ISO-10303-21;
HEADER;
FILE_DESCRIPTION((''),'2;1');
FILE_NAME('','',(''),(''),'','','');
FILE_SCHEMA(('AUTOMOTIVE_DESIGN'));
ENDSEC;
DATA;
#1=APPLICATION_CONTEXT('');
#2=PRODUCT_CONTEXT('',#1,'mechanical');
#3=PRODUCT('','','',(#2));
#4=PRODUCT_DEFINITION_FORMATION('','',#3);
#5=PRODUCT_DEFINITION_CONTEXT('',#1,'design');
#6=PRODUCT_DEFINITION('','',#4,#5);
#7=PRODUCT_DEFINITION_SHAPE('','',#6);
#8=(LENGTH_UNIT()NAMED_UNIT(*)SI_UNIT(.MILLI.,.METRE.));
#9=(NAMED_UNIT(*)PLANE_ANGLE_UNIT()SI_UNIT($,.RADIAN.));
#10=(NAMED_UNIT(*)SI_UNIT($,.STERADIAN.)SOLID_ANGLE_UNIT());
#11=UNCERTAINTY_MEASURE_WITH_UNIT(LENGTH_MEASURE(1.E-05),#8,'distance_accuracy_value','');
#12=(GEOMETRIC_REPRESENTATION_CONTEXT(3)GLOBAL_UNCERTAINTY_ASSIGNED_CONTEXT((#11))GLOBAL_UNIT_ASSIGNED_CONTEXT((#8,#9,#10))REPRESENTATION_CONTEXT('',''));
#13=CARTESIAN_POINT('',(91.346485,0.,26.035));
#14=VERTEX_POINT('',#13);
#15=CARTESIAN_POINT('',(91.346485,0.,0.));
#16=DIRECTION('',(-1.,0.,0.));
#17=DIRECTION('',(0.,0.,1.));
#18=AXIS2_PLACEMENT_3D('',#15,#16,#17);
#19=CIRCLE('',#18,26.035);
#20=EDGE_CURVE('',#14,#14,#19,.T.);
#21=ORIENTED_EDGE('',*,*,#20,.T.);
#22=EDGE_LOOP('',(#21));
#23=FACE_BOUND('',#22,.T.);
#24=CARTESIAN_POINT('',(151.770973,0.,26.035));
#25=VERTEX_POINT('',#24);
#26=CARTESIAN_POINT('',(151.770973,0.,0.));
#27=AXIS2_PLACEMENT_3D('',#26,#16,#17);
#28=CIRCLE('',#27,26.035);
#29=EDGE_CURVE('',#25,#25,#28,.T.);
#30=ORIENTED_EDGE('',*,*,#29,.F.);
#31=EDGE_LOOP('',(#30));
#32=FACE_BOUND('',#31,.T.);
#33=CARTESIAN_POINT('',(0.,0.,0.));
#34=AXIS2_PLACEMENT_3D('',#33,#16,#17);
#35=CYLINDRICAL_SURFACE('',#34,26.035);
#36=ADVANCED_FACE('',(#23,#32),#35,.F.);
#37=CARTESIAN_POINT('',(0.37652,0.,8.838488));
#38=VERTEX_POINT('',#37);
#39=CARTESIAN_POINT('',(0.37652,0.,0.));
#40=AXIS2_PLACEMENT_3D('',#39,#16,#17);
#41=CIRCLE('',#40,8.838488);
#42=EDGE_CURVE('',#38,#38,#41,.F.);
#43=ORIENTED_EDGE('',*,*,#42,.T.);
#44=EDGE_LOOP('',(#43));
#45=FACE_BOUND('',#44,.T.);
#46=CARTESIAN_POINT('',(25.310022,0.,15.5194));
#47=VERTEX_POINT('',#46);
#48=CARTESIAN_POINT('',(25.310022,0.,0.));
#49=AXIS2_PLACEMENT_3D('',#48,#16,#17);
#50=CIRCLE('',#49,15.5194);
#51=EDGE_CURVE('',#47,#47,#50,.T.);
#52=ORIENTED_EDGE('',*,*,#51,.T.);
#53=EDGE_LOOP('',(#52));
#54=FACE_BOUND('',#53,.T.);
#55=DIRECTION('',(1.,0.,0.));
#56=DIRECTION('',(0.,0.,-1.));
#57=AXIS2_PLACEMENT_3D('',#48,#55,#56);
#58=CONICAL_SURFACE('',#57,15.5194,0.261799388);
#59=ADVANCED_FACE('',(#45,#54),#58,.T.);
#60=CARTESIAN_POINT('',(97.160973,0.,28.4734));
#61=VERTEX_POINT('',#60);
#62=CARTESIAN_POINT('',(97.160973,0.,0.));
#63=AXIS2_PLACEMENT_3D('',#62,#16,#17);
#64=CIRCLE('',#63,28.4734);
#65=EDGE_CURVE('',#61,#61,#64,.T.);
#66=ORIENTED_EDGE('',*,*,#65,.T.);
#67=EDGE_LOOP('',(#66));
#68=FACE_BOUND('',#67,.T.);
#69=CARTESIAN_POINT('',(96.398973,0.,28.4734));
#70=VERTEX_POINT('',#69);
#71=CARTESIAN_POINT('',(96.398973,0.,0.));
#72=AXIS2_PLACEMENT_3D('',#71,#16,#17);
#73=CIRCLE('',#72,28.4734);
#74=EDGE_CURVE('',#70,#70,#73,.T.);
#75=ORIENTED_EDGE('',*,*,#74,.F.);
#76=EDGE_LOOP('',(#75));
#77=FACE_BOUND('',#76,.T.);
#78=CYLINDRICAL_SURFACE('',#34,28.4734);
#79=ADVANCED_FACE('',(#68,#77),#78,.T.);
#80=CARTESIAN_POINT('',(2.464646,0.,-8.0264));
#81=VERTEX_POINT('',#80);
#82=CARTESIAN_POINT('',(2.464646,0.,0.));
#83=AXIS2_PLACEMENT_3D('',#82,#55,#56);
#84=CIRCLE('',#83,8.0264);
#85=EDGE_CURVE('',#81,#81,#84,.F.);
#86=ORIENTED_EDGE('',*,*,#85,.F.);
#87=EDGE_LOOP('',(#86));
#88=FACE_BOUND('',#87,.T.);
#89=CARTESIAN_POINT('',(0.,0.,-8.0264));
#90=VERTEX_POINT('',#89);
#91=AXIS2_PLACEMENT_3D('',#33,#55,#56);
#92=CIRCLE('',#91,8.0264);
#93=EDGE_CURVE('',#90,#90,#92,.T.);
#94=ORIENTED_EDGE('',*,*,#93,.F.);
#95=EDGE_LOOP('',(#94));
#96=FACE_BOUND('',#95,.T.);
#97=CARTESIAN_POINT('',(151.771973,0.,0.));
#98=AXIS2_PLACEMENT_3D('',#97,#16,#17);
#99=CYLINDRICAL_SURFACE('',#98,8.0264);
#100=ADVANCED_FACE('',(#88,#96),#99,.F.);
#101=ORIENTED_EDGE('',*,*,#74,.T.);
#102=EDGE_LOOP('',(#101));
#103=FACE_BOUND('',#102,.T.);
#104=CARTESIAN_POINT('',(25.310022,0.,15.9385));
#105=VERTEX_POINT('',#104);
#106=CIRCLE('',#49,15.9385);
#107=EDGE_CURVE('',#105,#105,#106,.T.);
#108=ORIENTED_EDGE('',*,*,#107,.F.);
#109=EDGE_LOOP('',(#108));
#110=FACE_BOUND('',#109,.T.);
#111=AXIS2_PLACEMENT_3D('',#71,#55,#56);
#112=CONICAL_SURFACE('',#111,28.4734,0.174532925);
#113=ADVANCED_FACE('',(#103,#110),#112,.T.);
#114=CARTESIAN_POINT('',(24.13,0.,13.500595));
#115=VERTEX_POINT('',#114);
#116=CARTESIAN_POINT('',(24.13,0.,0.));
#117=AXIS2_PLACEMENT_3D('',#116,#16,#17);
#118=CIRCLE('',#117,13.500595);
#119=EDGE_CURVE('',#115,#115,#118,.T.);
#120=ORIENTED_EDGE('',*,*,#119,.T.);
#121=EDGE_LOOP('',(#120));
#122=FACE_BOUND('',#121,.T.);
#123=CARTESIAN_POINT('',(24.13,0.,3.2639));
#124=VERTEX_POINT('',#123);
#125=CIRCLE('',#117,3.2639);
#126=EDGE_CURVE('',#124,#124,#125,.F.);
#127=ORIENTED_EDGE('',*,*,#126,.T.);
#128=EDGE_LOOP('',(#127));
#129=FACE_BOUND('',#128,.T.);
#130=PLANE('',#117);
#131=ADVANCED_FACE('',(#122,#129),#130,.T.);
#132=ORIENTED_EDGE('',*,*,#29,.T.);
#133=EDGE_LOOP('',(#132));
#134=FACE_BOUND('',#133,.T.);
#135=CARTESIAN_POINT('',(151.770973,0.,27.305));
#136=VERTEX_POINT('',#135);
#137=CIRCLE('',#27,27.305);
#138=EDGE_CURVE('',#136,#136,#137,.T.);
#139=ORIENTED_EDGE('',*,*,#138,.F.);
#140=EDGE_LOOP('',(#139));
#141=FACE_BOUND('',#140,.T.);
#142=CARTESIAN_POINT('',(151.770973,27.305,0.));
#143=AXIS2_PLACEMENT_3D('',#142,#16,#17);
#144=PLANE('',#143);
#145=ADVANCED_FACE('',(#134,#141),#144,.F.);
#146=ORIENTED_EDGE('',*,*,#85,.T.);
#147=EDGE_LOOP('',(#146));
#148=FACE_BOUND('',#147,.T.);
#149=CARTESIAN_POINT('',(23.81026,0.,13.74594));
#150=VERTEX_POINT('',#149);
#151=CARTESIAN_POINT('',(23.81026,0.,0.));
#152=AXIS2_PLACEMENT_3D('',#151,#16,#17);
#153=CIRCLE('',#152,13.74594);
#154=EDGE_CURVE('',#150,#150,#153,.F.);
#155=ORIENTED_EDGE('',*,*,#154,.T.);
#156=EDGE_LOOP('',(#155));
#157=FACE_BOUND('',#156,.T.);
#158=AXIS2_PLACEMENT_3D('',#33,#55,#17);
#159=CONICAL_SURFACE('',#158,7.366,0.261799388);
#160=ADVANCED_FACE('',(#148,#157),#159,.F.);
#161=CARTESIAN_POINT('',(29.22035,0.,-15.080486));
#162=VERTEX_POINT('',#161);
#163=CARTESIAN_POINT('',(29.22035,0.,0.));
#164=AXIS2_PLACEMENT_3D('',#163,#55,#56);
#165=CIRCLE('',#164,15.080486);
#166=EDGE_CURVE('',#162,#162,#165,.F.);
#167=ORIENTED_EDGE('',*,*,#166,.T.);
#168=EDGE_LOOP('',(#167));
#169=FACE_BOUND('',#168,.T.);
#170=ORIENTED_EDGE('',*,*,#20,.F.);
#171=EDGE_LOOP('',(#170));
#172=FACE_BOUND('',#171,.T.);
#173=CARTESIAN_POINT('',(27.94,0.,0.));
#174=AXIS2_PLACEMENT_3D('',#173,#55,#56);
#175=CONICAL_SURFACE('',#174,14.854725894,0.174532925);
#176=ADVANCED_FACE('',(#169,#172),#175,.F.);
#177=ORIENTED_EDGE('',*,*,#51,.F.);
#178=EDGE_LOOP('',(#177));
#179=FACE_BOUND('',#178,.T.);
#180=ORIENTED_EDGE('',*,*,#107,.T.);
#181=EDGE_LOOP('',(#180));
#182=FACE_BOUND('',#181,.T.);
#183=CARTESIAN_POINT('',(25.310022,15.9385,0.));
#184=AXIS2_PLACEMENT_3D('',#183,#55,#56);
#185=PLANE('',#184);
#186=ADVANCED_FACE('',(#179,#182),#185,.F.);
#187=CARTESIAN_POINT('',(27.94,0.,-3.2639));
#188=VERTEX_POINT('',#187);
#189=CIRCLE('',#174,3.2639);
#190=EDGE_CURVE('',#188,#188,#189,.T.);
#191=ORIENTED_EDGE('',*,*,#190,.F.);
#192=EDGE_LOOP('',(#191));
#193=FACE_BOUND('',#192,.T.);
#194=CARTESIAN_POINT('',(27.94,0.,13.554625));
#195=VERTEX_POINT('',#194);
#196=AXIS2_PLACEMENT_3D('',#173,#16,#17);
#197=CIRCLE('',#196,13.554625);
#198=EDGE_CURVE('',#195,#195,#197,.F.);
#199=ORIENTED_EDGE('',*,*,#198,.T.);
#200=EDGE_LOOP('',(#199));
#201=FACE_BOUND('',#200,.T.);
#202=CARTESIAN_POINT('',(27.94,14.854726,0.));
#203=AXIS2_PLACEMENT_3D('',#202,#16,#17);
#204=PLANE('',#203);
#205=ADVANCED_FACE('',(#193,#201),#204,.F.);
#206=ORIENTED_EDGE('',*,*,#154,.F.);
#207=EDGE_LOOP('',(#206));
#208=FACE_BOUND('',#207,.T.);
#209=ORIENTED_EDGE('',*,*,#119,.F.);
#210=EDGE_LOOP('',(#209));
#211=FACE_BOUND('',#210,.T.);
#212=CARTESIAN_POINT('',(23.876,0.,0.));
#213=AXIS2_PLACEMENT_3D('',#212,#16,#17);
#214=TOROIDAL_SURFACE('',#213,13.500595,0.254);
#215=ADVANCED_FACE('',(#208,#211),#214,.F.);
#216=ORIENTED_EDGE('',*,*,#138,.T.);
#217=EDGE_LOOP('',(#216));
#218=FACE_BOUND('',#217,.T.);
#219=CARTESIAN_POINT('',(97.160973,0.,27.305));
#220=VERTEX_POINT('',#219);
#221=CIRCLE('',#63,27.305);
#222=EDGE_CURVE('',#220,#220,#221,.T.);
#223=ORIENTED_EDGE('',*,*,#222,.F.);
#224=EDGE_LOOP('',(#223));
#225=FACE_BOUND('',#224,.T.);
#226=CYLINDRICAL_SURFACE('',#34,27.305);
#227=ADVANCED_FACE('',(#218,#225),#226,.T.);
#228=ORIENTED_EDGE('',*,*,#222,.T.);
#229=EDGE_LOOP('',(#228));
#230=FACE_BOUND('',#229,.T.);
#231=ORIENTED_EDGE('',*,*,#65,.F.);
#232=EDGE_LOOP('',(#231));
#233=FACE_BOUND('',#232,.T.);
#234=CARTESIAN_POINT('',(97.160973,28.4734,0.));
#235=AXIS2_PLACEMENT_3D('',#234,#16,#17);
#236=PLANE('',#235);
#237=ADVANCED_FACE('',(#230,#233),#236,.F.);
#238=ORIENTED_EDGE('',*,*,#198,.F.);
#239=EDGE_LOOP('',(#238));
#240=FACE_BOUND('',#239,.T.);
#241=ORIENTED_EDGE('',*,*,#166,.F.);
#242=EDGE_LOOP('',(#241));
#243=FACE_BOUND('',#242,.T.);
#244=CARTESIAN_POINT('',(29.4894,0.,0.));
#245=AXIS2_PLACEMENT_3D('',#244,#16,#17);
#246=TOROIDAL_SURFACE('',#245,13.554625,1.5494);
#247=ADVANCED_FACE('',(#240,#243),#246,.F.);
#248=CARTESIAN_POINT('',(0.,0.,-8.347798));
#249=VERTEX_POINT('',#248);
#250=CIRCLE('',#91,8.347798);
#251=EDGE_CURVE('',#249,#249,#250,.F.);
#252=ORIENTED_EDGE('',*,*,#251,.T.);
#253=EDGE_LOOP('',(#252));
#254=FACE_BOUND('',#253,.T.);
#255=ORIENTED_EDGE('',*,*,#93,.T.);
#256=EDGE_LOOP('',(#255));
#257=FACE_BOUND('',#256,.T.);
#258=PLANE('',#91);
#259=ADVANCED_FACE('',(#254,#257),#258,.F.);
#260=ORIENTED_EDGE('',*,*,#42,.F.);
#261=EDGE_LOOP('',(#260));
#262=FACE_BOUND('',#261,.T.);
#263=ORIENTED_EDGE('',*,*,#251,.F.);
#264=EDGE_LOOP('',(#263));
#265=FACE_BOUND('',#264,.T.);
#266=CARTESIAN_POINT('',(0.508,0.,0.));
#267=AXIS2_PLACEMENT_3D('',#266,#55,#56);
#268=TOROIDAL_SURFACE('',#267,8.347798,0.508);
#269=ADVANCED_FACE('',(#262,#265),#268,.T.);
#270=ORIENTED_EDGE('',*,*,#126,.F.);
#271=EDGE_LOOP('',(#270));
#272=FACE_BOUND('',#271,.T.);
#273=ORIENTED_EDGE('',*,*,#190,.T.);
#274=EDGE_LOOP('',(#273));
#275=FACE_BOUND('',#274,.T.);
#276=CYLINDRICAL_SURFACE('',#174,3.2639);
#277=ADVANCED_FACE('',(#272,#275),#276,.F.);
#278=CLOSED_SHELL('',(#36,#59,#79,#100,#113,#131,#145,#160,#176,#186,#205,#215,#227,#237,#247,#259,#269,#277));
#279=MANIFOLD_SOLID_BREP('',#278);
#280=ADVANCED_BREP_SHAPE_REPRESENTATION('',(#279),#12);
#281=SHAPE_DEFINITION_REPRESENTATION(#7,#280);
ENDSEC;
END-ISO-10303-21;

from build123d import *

# Parameters (mm, degrees)
FILLET1_R                    = 1.5494
F_0_257_DIAMETER_HOLE1_D     = 6.5278
F_0_257_DIAMETER_HOLE1_DEPTH = 13.913851026
F_0_257_DIAMETER_HOLE1_TIP   = 1.961148974
FILLET2_R                    = 0.508
SKETCH4_R                    = 7.366
CUT_EXTRUDE1_DEPTH           = 24.13
CUT_EXTRUDE1_TAPER           = -15
FILLET3_R                    = 0.254
CUT_EXTRUDE2_REACH           = 153.771
SKETCH5_R                    = 8.0264


with BuildPart() as part:
    # Sketch1 → Revolve1 (revolve)
    with BuildSketch(Plane.XY):
        Polygon((25.310022167, 15.9385), (96.398972647, 28.4734), (97.160972647, 28.4734), (97.160972647, 27.305), (151.770972647, 27.305), (151.770972647, 26.035), (91.346485275, 26.035), (27.94, 14.854725894), (27.94, 0), (0, 0), (0, 8.7376), (25.310022167, 15.5194), align=None)
    revolve(axis=Axis((0, 0, 0), (1, 0, 0)))

    # Fillet1
    fillet1_edges = [part.edges().sort_by_distance(p)[0] for p in [
        (27.94, -14.854725894, 0),
    ]]
    fillet(fillet1_edges, radius=FILLET1_R)

    # F (0.257) Diameter Hole1
    with Locations(Plane(origin=(27.94, 0, 0), x_dir=(0, 0, -1), z_dir=(1, 0, 0))):
        with Locations((0, 0)):
            Hole(F_0_257_DIAMETER_HOLE1_D / 2, depth=F_0_257_DIAMETER_HOLE1_DEPTH)
            with Locations((0, 0, -(F_0_257_DIAMETER_HOLE1_DEPTH + F_0_257_DIAMETER_HOLE1_TIP / 2))):  # 118° drill point
                Cone(0, F_0_257_DIAMETER_HOLE1_D / 2, F_0_257_DIAMETER_HOLE1_TIP, mode=Mode.SUBTRACT)

    # Fillet2
    fillet2_edges = [part.edges().sort_by_distance(p)[0] for p in [
        (0, -8.7376, 0),
    ]]
    fillet(fillet2_edges, radius=FILLET2_R)

    # Sketch4 → Cut-Extrude1 (cut)
    with BuildSketch(Plane.ZY):
        Circle(SKETCH4_R)
    extrude(amount=-CUT_EXTRUDE1_DEPTH, taper=CUT_EXTRUDE1_TAPER, mode=Mode.SUBTRACT)

    # Fillet3
    fillet3_edges = [part.edges().sort_by_distance(p)[0] for p in [
        (24.13, 0, -13.831614013),
    ]]
    fillet(fillet3_edges, radius=FILLET3_R)

    # Sketch5 → Cut-Extrude2 (cut, up to next)
    with BuildSketch(Plane(origin=(0, 0, 0), x_dir=(0, 0, -1), z_dir=(1, 0, 0)), mode=Mode.PRIVATE) as cut_extrude2_sk1:
        Circle(SKETCH5_R)
    cut_extrude2_tool1 = extrude(cut_extrude2_sk1.sketch, amount=CUT_EXTRUDE2_REACH, mode=Mode.PRIVATE) & part.part
    add(cut_extrude2_tool1.solids().sort_by_distance((0, 0, 0))[0], mode=Mode.SUBTRACT)


solid = part.part
